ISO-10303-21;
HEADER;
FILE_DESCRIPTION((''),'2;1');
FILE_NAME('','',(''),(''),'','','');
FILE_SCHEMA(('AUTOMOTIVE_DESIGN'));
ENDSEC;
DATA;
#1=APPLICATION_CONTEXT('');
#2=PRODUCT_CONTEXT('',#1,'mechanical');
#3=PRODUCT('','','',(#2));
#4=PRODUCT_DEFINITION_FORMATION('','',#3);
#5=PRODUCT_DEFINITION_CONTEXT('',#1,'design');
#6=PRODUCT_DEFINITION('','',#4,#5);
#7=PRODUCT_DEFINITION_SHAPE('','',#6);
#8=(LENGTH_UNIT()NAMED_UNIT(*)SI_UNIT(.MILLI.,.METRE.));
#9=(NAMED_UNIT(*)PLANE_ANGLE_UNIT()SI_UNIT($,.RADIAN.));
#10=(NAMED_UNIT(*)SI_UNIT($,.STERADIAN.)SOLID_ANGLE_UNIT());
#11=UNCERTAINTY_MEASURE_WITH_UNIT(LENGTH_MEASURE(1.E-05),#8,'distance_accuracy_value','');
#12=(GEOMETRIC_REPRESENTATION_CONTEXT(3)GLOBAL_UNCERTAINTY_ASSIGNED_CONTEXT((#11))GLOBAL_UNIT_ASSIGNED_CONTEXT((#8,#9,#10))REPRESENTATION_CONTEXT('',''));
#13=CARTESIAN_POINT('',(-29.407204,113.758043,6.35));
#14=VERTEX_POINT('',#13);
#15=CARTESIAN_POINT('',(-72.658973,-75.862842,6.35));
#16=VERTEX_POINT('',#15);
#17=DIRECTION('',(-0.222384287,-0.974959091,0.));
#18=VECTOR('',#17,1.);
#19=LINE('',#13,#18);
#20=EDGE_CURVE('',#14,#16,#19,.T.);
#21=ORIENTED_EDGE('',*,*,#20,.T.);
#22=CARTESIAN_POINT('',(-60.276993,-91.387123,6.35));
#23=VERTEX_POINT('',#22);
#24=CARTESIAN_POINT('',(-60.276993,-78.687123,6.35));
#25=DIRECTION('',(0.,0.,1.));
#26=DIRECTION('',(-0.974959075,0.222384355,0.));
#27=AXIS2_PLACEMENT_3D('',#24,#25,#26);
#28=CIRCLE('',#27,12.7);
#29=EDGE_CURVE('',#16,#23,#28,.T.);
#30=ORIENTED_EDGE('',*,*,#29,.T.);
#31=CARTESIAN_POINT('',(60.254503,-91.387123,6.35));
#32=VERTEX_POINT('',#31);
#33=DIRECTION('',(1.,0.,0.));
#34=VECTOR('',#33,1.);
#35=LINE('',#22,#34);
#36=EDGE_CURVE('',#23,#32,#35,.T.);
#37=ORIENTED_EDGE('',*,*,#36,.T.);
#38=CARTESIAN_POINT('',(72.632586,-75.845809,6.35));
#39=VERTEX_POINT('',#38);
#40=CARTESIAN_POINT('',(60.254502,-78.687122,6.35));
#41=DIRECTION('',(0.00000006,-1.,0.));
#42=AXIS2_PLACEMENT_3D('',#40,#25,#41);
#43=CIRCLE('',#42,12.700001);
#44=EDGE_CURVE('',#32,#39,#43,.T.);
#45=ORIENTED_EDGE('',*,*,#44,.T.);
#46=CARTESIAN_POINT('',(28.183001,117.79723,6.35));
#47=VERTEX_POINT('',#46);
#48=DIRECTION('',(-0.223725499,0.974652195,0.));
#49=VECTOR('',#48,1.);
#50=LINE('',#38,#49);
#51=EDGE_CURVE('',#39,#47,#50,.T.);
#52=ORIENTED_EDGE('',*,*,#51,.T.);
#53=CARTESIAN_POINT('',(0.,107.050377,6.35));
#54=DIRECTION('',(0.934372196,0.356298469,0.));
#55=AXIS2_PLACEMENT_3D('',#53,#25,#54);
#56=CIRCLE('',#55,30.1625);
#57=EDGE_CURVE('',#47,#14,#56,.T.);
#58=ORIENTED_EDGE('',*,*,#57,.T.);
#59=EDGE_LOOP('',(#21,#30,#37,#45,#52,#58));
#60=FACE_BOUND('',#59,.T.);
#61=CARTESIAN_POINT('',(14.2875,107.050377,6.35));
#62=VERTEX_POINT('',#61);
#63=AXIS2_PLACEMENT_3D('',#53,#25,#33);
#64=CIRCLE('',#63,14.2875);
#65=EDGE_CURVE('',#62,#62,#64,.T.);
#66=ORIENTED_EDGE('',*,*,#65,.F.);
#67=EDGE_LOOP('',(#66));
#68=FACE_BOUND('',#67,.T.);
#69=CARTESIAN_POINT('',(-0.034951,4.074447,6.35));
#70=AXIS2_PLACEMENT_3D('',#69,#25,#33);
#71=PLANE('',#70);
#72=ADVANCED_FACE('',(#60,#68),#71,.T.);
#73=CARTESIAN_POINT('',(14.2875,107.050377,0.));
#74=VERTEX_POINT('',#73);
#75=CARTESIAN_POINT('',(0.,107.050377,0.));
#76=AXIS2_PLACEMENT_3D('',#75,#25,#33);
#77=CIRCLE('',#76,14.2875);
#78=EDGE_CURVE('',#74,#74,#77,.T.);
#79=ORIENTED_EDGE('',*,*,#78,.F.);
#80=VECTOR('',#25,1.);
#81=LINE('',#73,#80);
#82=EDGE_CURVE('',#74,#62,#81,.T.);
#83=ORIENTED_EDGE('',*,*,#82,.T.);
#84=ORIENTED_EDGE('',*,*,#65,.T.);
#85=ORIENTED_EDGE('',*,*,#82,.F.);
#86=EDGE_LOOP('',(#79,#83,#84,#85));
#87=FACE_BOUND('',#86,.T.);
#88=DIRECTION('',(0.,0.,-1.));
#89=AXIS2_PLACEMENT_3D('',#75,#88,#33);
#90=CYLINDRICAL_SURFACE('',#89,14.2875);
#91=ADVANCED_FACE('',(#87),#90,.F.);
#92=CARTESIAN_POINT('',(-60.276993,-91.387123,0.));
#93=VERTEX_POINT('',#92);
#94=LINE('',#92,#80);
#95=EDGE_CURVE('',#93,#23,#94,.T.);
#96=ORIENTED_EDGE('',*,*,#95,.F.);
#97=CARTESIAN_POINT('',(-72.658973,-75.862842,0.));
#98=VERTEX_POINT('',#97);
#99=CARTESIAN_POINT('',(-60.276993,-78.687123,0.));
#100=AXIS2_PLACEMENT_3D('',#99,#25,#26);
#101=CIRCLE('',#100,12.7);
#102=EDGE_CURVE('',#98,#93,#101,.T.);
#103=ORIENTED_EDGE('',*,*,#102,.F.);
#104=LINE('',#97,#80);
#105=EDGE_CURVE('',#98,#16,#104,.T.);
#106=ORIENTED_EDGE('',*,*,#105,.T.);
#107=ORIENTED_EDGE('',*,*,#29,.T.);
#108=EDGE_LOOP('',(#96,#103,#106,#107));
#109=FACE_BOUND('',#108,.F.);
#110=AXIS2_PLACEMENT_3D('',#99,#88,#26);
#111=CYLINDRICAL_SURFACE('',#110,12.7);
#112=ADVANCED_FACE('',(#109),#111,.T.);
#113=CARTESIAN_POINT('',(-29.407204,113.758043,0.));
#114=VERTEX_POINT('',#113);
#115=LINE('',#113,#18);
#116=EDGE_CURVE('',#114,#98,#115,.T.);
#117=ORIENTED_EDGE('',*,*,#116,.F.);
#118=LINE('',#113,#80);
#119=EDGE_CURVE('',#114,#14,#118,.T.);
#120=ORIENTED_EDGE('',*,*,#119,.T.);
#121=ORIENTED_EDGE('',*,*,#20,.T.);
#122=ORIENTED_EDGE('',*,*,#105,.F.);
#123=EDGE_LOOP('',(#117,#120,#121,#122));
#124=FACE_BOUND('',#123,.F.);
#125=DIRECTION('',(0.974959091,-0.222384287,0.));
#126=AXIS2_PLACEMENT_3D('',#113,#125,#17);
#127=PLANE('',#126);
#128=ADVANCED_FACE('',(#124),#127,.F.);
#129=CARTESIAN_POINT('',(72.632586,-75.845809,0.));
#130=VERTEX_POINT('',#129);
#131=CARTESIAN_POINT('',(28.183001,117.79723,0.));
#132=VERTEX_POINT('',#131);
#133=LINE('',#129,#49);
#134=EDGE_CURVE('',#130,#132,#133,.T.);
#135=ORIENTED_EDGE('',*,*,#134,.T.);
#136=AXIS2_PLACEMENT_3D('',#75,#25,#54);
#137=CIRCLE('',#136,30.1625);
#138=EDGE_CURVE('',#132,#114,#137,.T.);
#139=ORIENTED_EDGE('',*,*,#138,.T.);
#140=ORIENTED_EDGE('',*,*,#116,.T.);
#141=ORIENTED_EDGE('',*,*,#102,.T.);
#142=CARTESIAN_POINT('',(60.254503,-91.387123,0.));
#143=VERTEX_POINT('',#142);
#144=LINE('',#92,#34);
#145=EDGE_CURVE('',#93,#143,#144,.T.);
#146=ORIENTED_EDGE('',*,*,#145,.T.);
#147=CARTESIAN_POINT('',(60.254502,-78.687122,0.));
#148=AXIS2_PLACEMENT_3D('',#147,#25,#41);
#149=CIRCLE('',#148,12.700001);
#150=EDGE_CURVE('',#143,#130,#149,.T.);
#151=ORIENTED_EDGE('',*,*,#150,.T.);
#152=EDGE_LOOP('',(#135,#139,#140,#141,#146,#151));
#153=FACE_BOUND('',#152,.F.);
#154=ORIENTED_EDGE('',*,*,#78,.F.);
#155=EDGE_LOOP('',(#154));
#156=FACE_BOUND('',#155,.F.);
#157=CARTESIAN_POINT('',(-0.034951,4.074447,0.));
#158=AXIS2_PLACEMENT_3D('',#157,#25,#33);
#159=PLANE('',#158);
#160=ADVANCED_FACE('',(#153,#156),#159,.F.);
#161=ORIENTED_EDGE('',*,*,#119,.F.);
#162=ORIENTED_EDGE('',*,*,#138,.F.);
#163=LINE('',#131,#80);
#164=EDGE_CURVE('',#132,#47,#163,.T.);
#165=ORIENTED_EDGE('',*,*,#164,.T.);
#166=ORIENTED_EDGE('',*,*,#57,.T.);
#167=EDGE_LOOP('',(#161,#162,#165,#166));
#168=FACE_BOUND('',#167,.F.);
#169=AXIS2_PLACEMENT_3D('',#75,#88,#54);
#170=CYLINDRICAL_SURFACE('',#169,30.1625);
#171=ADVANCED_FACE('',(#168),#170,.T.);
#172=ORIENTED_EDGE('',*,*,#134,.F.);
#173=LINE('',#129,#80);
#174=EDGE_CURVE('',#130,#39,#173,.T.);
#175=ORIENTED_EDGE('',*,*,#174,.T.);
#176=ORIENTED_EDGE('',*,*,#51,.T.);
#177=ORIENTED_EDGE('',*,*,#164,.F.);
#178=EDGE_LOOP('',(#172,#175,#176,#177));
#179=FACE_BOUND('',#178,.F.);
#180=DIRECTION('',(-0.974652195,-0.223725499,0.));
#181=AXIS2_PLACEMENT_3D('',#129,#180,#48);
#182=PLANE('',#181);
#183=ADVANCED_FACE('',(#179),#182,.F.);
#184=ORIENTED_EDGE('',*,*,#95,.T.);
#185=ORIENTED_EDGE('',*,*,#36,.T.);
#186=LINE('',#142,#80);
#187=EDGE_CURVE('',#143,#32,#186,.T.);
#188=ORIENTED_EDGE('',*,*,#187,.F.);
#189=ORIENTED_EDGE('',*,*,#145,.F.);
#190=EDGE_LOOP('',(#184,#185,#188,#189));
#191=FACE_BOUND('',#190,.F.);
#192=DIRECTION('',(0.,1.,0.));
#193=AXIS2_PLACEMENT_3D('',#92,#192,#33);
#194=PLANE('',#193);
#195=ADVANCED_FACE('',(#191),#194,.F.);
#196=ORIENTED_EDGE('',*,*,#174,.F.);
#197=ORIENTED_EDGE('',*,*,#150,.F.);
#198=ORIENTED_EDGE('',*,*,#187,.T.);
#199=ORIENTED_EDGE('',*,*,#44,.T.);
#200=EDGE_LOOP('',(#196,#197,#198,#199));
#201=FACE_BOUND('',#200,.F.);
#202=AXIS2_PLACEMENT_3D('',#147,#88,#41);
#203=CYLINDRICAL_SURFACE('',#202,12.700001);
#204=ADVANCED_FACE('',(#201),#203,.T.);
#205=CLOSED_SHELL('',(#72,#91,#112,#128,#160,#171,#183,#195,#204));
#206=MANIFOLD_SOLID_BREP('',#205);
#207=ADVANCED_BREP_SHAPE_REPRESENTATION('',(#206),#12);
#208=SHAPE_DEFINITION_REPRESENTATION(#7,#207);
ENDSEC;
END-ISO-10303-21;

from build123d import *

# Parameters (mm, degrees)
F0_R     = 14.2875
F1_DEPTH = 6.35


with BuildPart() as f1:
    # F0 (on Top) → F1 (new body)
    with BuildSketch(Plane.XY):
        with BuildLine():
            ThreePointArc((-72.658973, -75.862842), (-70.205698, -86.606139), (-60.276993, -91.387123))
            Line((-60.276993, -91.387123), (60.254503, -91.387123))
            ThreePointArc((60.254503, -91.387123), (70.188653, -86.599307), (72.632586, -75.845809))
            Line((72.632586, -75.845809), (28.183001, 117.79723))
            ThreePointArc((28.183001, 117.79723), (-2.110314, 137.138963), (-29.407204, 113.758043))
            Line((-29.407204, 113.758043), (-72.658973, -75.862842))
        make_face()
        with Locations((0, 107.050377)):
            Circle(F0_R, mode=Mode.SUBTRACT)
    extrude(amount=F1_DEPTH)


solid = f1.part
